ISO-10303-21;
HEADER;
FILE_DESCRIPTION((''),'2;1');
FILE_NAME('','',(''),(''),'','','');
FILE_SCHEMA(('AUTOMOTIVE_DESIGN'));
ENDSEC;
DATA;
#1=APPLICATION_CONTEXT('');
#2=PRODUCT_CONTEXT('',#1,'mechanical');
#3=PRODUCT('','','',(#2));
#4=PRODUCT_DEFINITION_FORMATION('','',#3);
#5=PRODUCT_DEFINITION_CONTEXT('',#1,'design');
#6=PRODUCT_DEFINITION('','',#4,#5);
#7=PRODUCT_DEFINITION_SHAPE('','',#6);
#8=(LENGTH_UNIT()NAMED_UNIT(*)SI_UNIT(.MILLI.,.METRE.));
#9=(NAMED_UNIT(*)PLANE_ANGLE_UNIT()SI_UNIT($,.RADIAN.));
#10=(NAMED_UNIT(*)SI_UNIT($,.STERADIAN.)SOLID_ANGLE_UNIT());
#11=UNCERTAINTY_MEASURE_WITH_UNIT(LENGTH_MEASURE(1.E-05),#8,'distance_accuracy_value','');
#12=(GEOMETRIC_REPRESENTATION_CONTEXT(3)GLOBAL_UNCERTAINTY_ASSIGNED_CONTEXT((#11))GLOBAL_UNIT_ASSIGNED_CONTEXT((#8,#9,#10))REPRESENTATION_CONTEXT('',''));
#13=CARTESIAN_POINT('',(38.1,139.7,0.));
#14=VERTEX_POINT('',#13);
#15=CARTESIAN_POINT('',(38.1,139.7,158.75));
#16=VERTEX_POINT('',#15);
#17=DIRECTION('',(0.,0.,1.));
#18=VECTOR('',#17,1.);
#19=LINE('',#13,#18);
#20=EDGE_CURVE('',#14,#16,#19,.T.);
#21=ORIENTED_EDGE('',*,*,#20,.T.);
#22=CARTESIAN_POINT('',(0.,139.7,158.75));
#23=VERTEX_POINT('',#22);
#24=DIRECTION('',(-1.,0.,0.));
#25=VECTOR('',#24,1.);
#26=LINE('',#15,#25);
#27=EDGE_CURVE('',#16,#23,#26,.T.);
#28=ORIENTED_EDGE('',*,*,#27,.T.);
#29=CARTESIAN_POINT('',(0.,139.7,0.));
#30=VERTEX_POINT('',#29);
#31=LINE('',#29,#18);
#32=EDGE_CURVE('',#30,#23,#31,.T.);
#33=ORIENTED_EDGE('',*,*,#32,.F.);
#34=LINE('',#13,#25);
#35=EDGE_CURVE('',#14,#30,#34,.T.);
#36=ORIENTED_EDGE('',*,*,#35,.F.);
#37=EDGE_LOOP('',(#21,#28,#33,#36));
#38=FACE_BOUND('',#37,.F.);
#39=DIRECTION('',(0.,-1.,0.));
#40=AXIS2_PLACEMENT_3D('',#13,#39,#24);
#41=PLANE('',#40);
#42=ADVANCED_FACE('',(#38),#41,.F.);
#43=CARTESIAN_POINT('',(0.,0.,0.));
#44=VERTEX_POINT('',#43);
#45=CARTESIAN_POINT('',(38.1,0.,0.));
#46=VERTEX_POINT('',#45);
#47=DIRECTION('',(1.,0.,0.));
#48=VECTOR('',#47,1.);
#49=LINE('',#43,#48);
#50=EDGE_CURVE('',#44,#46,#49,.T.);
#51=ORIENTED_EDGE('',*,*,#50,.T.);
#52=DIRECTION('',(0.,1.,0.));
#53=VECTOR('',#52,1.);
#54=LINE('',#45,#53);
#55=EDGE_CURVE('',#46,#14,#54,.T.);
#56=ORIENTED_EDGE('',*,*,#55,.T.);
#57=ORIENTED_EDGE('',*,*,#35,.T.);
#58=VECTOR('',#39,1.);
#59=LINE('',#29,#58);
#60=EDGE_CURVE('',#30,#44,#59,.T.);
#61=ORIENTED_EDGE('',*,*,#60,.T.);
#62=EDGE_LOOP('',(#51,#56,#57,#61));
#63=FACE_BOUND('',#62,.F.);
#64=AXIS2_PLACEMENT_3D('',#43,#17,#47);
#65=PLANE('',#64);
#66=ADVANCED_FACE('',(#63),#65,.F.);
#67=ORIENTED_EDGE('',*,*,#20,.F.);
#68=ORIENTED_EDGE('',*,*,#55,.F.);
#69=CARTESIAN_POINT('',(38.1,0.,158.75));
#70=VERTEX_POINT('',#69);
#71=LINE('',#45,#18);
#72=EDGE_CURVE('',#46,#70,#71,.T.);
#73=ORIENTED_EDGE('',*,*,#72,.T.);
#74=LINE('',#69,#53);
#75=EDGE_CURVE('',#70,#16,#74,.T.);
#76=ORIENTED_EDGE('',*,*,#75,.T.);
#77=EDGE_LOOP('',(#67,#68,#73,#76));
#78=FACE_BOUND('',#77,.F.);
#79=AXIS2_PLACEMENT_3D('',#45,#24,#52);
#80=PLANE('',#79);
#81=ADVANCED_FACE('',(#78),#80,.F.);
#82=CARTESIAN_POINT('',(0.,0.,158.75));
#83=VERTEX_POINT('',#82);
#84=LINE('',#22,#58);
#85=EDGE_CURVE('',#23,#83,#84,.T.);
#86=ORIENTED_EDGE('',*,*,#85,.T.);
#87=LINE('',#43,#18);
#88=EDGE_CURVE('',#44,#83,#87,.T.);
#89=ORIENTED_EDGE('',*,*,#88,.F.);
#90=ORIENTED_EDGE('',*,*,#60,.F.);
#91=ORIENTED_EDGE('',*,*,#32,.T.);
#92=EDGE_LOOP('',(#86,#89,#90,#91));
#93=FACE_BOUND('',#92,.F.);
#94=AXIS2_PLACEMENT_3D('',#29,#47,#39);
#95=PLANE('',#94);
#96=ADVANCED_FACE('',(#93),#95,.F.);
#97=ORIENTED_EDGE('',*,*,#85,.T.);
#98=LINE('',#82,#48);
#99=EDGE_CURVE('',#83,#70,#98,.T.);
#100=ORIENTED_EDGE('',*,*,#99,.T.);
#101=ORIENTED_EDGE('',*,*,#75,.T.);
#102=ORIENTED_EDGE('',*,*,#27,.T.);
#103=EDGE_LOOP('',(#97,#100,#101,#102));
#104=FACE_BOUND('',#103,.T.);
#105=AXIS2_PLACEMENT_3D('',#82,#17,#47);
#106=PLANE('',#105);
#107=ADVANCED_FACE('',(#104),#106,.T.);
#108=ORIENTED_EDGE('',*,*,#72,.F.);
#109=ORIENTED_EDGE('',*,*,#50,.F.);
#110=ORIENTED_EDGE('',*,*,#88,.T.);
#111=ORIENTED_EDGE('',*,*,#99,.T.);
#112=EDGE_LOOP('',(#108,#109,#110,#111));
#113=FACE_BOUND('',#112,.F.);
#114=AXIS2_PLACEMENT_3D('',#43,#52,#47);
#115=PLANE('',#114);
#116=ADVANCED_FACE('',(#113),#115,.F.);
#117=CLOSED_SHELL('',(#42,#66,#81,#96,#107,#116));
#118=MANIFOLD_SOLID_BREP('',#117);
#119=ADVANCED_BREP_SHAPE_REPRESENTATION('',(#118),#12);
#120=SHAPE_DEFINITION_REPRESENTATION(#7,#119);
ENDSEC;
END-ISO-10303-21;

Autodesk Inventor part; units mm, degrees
ref_plane "YZ Plane" through (0, 0, 0) normal (1, 0, 0) x (0, 1, 0)
ref_plane "XZ Plane" through (0, 0, 0) normal (0, 1, 0) x (-1, 0, 0)
ref_plane "XY Plane" through (0, 0, 0) normal (0, 0, 1) x (1, 0, 0)
sketch "Sketch1" plane through (0, 0, 0) normal (0, 0, 1) x (1, 0, 0)
  line L0 (0, 0) -> (38.1, 0)
  line L1 (38.1, 0) -> (38.1, 139.7)
  line L2 (38.1, 139.7) -> (0, 139.7)
  line L3 (0, 139.7) -> (0, 0)
  dimension "d0" = 38.1
  dimension "d1" = 139.7
extrude "Extrusion1" add sketch "Sketch1" along normal blind 158.75
properties part number "Joist_With_Length_6.5_Inches" material "Wood (Birch)"
